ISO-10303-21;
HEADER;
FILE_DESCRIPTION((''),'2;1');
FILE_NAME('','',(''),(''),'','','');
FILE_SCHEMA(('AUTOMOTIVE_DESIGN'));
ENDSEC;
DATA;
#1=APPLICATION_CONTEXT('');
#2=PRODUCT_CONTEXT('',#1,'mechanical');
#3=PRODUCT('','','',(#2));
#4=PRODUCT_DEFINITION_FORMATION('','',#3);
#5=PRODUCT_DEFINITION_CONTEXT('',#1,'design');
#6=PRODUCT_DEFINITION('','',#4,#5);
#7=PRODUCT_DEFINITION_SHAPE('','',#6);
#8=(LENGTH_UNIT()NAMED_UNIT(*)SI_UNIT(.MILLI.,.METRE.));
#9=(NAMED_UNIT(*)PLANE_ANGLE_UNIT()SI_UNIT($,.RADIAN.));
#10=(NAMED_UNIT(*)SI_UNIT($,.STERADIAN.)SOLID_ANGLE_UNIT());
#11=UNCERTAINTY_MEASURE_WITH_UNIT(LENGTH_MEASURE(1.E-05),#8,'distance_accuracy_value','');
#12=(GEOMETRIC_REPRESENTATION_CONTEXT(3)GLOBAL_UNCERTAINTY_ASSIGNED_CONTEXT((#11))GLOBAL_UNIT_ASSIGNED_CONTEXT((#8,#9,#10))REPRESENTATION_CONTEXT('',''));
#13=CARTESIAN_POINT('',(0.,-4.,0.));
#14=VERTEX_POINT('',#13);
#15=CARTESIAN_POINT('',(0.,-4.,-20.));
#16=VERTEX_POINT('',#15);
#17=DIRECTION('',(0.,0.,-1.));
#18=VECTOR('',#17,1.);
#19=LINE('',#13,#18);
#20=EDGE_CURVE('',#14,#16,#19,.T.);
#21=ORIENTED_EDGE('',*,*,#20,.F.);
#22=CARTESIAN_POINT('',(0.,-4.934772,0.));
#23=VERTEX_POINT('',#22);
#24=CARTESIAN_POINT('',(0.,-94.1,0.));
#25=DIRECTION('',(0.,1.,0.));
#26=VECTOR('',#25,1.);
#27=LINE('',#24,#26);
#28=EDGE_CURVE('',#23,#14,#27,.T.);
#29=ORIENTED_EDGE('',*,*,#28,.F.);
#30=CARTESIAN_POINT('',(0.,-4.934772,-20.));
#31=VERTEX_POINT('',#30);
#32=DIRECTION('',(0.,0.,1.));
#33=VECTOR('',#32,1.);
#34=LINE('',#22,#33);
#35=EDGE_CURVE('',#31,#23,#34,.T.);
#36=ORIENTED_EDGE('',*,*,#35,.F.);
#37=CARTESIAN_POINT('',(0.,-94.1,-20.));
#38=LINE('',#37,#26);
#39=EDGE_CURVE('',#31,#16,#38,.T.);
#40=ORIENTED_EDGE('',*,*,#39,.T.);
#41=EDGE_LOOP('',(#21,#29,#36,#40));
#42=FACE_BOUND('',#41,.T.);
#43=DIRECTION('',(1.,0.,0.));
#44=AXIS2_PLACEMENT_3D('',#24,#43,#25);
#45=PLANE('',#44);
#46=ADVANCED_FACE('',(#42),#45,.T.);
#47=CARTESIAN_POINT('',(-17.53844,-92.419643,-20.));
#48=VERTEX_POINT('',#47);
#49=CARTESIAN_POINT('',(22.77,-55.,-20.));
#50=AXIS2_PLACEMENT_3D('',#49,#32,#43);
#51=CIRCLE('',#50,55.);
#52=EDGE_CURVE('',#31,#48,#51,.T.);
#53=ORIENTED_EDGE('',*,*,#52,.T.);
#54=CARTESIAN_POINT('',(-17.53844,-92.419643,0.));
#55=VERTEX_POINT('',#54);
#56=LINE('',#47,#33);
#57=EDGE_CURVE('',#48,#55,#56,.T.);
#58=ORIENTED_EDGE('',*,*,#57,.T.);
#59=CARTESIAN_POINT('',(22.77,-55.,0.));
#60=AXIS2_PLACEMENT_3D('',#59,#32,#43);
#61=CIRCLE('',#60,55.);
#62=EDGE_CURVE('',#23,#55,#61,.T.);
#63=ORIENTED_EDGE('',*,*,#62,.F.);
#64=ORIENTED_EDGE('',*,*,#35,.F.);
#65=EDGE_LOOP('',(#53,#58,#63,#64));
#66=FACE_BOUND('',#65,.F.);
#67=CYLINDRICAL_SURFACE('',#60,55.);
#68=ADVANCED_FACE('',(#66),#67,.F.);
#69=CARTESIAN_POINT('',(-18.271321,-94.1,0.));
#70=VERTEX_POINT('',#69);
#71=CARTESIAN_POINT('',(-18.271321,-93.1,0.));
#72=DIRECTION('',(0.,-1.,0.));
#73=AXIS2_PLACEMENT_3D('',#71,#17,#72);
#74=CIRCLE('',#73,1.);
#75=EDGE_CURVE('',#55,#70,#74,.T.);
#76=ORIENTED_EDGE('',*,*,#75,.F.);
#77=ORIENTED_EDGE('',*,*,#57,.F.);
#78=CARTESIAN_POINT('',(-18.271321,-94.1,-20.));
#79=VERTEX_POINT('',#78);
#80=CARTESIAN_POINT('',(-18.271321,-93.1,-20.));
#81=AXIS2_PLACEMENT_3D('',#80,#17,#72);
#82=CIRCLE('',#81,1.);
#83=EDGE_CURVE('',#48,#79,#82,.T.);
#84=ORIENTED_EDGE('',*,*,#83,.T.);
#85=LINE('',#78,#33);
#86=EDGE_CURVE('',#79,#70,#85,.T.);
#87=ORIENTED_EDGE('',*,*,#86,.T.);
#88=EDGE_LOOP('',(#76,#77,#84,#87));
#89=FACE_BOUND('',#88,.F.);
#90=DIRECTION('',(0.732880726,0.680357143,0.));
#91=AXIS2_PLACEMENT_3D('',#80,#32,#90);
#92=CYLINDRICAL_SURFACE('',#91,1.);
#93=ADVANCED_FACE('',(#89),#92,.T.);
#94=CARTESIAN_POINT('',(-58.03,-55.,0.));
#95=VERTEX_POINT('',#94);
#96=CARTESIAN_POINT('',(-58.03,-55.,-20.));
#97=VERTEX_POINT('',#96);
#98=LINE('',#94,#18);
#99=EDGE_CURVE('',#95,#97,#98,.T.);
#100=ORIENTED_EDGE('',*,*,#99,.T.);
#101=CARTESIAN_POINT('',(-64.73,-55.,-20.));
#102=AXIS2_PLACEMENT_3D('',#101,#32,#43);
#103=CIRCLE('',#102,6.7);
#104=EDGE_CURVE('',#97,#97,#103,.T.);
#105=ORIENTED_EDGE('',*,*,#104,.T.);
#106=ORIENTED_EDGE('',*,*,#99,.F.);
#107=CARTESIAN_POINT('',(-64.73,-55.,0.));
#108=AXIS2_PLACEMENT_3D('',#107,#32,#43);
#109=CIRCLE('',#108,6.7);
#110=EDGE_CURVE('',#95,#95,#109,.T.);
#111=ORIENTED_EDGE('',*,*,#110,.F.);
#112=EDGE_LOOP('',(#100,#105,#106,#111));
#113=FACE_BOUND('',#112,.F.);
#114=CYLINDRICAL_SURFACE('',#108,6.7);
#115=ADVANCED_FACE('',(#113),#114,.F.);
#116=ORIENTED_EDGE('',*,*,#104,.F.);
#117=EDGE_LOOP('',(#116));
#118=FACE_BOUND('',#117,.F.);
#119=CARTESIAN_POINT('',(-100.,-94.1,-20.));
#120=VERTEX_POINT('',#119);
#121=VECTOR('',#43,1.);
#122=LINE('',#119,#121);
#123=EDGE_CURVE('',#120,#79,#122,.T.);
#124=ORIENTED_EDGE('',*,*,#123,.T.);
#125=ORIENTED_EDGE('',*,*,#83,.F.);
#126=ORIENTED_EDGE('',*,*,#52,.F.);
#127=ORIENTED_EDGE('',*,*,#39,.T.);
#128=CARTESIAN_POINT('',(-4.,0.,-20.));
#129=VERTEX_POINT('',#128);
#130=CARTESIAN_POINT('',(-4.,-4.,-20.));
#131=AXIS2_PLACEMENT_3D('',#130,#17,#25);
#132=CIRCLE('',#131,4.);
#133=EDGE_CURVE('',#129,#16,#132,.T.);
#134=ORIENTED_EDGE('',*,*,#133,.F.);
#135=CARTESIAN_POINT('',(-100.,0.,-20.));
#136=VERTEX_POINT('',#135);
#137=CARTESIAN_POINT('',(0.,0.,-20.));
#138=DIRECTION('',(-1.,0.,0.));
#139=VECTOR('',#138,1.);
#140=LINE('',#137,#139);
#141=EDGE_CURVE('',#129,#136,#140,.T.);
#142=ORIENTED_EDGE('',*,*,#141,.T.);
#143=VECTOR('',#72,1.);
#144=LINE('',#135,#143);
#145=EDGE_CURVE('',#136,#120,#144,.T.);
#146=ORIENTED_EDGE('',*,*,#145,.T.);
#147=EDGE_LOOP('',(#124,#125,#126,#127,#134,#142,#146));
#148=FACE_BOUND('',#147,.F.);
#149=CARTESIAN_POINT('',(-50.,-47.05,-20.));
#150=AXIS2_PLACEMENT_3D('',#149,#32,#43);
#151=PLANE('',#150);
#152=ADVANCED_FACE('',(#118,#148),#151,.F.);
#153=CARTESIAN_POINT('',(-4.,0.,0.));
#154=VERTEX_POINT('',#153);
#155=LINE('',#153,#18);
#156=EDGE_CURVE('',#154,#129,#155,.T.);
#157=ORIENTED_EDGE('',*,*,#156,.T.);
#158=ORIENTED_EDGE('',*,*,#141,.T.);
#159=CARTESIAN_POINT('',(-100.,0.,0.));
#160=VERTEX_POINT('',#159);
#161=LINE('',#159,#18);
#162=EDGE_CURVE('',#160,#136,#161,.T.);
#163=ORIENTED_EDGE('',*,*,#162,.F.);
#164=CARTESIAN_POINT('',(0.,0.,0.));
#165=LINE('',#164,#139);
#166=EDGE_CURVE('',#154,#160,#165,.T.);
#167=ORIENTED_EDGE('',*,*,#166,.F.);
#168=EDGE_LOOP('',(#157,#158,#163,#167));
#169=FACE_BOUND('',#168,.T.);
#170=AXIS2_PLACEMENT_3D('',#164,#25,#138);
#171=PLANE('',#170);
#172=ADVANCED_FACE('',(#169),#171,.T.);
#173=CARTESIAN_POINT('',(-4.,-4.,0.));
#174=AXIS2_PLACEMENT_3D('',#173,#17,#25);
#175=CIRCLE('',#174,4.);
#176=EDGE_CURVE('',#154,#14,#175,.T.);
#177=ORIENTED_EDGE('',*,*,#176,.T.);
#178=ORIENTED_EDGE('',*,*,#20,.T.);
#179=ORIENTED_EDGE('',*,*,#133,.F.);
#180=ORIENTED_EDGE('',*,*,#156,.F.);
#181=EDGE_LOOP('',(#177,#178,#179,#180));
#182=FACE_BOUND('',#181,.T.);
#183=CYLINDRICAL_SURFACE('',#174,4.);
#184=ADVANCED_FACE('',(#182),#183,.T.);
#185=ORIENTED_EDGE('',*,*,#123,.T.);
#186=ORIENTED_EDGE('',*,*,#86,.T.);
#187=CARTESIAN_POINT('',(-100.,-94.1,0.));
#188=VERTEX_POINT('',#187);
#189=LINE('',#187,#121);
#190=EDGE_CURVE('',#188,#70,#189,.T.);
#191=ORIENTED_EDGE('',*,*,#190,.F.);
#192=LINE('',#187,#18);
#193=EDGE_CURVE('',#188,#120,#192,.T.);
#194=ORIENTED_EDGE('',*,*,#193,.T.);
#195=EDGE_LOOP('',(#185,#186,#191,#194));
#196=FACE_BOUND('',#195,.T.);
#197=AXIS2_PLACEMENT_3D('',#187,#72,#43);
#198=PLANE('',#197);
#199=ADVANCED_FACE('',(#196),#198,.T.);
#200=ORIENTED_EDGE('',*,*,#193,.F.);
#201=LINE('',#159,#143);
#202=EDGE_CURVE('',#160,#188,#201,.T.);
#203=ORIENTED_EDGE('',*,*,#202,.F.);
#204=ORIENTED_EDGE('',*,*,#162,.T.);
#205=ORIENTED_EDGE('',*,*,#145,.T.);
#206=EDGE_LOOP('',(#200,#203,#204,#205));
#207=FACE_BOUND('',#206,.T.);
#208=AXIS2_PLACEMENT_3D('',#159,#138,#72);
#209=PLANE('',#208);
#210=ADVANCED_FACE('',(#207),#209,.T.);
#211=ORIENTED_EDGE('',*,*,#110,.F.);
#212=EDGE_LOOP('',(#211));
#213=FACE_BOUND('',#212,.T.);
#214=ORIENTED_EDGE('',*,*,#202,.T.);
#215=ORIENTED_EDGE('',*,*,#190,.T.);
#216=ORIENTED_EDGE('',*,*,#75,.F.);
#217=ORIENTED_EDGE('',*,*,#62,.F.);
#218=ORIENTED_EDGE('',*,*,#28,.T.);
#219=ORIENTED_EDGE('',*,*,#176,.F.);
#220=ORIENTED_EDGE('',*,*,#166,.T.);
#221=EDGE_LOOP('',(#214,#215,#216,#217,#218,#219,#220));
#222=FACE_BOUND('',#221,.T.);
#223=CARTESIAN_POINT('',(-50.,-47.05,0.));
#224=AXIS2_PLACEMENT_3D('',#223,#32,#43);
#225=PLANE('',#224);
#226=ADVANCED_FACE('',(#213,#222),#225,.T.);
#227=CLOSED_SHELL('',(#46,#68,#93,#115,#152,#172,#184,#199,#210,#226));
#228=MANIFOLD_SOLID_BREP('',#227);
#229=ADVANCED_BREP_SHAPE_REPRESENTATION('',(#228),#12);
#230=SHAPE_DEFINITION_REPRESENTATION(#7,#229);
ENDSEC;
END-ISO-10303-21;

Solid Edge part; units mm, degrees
sketch "Sketch1" plane through (0, 0, 0) normal (0, 0, 1) x (1, 0, 0)
  line L0 (0, 0) -> (-100, 0)
  line L1 (-100, 0) -> (-100, -94.1)
  line L2 (-100, -94.1) -> (0, -94.1)
  line L3 (0, -94.1) -> (0, 0)
extrude "Protrusion1" add sketch "Sketch1" against normal blind 20
sketch "Sketch2" plane through (-50, -47.05, 0) normal (0, 0, 1) x (1, 0, 0)
  circle A0 centre (-14.73, -7.95) radius 6.7
  circle A1 centre (72.77, -7.95) radius 55
extrude "ExtrudedCutout_1" cut sketch "Sketch2" against normal blind 20
fillet "Round_2" radius 4 1 edges at (0, 0, -10)
fillet "Round_4" radius 1 1 edges at (-15.9106, -94.1, -10)
